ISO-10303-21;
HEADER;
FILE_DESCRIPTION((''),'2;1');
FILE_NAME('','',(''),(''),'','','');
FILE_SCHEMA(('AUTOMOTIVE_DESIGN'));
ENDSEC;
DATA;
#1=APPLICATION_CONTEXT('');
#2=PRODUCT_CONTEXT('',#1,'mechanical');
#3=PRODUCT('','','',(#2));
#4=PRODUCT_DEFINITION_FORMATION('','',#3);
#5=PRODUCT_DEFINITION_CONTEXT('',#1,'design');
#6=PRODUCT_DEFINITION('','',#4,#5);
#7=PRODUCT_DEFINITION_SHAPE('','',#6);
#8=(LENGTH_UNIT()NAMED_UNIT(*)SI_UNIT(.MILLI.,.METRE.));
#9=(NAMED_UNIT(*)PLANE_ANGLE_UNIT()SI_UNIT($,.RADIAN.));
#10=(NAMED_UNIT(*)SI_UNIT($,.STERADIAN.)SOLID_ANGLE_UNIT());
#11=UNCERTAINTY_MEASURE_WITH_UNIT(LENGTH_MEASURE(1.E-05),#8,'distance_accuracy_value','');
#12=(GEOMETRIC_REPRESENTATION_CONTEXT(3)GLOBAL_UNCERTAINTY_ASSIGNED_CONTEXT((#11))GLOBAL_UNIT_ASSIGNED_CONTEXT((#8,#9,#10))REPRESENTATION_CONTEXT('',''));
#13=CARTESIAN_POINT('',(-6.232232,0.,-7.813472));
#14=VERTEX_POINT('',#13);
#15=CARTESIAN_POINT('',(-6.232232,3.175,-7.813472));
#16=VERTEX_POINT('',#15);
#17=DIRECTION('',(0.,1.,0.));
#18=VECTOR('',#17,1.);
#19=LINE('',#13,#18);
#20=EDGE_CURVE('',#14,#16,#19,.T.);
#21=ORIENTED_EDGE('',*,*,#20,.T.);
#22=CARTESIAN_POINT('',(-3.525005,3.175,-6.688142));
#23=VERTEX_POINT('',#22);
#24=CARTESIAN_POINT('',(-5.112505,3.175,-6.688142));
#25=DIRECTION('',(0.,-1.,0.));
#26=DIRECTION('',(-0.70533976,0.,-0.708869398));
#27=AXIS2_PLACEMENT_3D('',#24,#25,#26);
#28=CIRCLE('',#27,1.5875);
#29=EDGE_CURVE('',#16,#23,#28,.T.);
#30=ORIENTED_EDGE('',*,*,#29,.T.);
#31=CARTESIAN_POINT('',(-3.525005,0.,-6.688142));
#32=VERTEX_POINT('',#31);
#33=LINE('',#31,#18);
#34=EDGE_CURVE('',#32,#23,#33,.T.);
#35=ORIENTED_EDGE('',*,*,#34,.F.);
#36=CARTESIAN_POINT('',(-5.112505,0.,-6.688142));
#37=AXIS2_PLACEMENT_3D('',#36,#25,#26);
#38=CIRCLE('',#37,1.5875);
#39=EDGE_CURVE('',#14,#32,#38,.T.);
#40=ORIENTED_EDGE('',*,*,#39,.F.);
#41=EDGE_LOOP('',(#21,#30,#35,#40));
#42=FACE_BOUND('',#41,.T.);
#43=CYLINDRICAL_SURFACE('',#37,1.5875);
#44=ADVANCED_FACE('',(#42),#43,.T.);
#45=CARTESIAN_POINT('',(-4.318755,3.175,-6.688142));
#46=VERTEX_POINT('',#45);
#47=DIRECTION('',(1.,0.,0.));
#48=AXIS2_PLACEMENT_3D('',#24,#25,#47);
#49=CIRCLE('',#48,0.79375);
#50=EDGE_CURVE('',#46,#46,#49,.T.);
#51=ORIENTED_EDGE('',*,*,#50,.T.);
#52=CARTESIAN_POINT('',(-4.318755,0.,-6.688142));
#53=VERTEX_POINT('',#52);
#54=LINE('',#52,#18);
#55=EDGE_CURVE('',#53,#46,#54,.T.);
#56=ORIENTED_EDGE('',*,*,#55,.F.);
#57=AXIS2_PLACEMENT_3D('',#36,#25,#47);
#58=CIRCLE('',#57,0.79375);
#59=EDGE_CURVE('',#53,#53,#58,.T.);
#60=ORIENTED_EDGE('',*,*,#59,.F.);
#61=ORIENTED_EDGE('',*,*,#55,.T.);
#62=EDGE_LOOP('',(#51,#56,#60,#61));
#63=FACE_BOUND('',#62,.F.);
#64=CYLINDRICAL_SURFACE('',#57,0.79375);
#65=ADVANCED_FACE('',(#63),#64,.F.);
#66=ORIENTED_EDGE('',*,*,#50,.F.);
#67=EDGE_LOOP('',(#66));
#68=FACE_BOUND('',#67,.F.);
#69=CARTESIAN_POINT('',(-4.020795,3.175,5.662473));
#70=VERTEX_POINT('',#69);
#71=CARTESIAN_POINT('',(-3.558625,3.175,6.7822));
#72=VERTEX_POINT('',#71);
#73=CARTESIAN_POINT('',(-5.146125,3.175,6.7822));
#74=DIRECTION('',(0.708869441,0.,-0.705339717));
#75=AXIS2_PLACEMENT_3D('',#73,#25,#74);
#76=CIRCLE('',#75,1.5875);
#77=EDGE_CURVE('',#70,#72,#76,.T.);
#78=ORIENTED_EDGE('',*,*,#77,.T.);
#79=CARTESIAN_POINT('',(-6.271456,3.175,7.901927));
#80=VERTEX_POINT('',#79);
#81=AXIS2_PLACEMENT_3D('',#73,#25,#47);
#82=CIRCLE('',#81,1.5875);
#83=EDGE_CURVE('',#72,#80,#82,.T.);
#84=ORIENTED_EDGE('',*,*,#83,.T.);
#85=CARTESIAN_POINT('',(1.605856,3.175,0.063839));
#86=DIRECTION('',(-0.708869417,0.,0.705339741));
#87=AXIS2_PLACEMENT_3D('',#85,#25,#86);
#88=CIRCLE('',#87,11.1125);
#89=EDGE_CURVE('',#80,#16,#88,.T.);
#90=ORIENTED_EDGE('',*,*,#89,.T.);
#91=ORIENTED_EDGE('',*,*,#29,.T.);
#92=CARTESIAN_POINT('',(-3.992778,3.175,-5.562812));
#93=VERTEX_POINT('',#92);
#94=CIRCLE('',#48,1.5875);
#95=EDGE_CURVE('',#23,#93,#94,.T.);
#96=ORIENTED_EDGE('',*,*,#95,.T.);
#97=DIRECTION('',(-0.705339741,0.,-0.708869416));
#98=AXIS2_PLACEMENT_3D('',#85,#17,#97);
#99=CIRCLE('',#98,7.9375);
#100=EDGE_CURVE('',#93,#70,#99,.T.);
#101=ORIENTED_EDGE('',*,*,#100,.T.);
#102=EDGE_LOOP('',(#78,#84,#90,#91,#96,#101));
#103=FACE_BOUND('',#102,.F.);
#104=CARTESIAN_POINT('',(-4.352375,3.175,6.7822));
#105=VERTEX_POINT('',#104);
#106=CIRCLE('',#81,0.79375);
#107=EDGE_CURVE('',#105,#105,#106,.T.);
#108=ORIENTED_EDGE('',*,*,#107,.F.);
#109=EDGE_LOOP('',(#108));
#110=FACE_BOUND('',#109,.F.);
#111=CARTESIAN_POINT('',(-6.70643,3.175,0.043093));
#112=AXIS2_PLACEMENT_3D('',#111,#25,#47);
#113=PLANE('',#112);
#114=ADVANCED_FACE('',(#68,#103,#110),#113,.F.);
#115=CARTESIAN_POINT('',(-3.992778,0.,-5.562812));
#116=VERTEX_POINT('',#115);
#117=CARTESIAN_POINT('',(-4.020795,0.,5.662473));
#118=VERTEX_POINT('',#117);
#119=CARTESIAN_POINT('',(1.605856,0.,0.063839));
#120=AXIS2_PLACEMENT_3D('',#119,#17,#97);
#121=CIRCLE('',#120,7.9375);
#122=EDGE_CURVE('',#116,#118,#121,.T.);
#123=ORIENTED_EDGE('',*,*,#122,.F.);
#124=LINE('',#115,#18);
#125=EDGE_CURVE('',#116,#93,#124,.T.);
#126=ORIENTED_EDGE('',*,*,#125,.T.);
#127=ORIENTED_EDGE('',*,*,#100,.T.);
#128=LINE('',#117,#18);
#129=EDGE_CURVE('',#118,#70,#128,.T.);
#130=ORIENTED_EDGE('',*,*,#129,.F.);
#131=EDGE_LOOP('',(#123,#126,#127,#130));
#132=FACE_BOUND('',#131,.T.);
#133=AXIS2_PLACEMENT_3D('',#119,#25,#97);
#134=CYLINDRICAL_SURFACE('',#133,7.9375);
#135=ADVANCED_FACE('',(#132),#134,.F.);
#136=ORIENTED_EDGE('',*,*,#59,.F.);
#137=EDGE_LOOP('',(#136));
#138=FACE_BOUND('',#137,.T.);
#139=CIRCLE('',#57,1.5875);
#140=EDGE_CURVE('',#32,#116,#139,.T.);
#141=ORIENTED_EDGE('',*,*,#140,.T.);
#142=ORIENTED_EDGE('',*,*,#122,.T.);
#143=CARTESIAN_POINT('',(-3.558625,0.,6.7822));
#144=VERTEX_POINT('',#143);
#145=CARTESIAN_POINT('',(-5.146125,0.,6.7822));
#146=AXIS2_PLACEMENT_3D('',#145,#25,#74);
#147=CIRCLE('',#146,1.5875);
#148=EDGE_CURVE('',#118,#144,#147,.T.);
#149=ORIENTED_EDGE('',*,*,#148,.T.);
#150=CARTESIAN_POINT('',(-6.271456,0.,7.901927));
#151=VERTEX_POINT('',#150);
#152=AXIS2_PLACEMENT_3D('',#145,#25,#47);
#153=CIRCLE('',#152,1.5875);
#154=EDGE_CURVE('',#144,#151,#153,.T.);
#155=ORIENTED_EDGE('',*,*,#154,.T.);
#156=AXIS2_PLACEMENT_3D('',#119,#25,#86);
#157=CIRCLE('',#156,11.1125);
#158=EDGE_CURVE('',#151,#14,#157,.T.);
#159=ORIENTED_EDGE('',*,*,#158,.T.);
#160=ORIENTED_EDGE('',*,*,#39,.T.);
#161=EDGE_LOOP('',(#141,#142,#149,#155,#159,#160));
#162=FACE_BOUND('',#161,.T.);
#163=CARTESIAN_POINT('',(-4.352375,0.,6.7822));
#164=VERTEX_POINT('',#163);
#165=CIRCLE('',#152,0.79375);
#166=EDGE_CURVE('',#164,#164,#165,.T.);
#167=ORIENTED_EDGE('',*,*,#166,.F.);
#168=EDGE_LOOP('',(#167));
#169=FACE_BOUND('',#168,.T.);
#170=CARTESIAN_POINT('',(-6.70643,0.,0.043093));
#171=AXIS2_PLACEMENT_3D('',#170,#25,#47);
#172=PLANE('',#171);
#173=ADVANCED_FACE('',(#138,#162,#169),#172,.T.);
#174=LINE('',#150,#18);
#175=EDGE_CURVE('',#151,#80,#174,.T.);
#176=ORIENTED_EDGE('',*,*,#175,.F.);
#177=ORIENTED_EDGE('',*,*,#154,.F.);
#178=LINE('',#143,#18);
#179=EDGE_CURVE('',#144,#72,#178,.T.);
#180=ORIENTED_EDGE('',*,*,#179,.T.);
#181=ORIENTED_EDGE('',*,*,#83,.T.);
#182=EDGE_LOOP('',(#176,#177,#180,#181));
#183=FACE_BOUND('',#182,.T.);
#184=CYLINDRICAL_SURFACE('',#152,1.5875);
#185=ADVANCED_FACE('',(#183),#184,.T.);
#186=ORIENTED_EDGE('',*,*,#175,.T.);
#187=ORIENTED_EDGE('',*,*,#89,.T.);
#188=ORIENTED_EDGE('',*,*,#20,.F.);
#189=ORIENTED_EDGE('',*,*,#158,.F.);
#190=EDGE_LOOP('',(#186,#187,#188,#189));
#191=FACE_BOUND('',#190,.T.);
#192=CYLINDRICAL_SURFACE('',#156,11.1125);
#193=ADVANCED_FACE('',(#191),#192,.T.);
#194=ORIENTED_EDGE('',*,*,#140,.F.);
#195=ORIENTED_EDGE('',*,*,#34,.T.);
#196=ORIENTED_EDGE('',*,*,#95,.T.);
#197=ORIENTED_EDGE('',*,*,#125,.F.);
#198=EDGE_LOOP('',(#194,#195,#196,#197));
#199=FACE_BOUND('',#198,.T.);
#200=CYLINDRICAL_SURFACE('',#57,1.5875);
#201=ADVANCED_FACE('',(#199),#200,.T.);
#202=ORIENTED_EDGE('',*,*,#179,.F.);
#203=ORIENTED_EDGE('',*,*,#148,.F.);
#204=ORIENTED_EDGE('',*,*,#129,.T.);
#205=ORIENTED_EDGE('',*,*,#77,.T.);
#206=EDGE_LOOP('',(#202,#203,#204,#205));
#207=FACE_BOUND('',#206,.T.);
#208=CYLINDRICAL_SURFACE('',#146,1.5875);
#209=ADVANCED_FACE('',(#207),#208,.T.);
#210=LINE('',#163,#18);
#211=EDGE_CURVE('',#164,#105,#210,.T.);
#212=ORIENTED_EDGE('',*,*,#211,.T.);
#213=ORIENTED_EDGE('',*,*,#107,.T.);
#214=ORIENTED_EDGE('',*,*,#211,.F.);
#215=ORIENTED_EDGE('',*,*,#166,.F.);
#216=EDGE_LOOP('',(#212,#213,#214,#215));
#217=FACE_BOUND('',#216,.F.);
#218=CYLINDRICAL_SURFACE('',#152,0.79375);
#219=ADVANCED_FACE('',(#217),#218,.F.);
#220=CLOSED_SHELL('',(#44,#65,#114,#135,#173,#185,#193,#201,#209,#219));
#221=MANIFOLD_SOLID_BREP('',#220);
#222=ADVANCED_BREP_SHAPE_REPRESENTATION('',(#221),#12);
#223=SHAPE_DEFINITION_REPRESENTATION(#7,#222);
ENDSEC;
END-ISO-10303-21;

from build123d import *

# Parameters (mm, degrees)
F0_R     = 0.79375
F1_DEPTH = 3.175


with BuildPart() as f1:
    # F0 (on Front) → F1 (new body)
    with BuildSketch(Plane.XZ):
        with BuildLine():
            ThreePointArc((-3.9927783848, -5.5628118829), (-6.3316194647, 0.0440282554), (-4.0207951612, 5.6624733224))
            ThreePointArc((-4.0207951612, 5.6624733224), (-6.2658522276, 5.6568699137), (-6.2714555786, 7.9019269802))
            ThreePointArc((-6.2714555786, 7.9019269802), (-9.5066095757, 0.0361038994), (-6.2322320705, -7.8134722725))
            ThreePointArc((-6.2322320705, -7.8134722725), (-6.2378353965, -5.5684152606), (-3.9927783848, -5.5628118829))
        make_face()
        with BuildLine():
            ThreePointArc((-6.2714555786, 7.9019269802), (-6.2658522276, 5.6568699137), (-4.0207951612, 5.6624733224))
            ThreePointArc((-4.0207951612, 5.6624733224), (-3.6787096426, 6.176520959), (-3.5586253987, 6.7822001224))
            ThreePointArc((-3.5586253987, 6.7822001224), (-4.5404461975, 8.2496158629), (-6.2714555786, 7.9019269802))
        make_face()
        with Locations((-5.1461253987, 6.7822001224)):
            Circle(F0_R, mode=Mode.SUBTRACT)
        with BuildLine():
            ThreePointArc((-3.5250052017, -6.6881421035), (-3.6466057216, -6.0788023263), (-3.9927783848, -5.5628118829))
            ThreePointArc((-3.9927783848, -5.5628118829), (-6.2378353965, -5.5684152606), (-6.2322320705, -7.8134722725))
            ThreePointArc((-6.2322320705, -7.8134722725), (-4.5031654583, -8.1540415977), (-3.5250052017, -6.6881421035))
        make_face()
        with Locations((-5.1125052017, -6.6881421035)):
            Circle(F0_R, mode=Mode.SUBTRACT)
    extrude(amount=-F1_DEPTH)


solid = f1.part
